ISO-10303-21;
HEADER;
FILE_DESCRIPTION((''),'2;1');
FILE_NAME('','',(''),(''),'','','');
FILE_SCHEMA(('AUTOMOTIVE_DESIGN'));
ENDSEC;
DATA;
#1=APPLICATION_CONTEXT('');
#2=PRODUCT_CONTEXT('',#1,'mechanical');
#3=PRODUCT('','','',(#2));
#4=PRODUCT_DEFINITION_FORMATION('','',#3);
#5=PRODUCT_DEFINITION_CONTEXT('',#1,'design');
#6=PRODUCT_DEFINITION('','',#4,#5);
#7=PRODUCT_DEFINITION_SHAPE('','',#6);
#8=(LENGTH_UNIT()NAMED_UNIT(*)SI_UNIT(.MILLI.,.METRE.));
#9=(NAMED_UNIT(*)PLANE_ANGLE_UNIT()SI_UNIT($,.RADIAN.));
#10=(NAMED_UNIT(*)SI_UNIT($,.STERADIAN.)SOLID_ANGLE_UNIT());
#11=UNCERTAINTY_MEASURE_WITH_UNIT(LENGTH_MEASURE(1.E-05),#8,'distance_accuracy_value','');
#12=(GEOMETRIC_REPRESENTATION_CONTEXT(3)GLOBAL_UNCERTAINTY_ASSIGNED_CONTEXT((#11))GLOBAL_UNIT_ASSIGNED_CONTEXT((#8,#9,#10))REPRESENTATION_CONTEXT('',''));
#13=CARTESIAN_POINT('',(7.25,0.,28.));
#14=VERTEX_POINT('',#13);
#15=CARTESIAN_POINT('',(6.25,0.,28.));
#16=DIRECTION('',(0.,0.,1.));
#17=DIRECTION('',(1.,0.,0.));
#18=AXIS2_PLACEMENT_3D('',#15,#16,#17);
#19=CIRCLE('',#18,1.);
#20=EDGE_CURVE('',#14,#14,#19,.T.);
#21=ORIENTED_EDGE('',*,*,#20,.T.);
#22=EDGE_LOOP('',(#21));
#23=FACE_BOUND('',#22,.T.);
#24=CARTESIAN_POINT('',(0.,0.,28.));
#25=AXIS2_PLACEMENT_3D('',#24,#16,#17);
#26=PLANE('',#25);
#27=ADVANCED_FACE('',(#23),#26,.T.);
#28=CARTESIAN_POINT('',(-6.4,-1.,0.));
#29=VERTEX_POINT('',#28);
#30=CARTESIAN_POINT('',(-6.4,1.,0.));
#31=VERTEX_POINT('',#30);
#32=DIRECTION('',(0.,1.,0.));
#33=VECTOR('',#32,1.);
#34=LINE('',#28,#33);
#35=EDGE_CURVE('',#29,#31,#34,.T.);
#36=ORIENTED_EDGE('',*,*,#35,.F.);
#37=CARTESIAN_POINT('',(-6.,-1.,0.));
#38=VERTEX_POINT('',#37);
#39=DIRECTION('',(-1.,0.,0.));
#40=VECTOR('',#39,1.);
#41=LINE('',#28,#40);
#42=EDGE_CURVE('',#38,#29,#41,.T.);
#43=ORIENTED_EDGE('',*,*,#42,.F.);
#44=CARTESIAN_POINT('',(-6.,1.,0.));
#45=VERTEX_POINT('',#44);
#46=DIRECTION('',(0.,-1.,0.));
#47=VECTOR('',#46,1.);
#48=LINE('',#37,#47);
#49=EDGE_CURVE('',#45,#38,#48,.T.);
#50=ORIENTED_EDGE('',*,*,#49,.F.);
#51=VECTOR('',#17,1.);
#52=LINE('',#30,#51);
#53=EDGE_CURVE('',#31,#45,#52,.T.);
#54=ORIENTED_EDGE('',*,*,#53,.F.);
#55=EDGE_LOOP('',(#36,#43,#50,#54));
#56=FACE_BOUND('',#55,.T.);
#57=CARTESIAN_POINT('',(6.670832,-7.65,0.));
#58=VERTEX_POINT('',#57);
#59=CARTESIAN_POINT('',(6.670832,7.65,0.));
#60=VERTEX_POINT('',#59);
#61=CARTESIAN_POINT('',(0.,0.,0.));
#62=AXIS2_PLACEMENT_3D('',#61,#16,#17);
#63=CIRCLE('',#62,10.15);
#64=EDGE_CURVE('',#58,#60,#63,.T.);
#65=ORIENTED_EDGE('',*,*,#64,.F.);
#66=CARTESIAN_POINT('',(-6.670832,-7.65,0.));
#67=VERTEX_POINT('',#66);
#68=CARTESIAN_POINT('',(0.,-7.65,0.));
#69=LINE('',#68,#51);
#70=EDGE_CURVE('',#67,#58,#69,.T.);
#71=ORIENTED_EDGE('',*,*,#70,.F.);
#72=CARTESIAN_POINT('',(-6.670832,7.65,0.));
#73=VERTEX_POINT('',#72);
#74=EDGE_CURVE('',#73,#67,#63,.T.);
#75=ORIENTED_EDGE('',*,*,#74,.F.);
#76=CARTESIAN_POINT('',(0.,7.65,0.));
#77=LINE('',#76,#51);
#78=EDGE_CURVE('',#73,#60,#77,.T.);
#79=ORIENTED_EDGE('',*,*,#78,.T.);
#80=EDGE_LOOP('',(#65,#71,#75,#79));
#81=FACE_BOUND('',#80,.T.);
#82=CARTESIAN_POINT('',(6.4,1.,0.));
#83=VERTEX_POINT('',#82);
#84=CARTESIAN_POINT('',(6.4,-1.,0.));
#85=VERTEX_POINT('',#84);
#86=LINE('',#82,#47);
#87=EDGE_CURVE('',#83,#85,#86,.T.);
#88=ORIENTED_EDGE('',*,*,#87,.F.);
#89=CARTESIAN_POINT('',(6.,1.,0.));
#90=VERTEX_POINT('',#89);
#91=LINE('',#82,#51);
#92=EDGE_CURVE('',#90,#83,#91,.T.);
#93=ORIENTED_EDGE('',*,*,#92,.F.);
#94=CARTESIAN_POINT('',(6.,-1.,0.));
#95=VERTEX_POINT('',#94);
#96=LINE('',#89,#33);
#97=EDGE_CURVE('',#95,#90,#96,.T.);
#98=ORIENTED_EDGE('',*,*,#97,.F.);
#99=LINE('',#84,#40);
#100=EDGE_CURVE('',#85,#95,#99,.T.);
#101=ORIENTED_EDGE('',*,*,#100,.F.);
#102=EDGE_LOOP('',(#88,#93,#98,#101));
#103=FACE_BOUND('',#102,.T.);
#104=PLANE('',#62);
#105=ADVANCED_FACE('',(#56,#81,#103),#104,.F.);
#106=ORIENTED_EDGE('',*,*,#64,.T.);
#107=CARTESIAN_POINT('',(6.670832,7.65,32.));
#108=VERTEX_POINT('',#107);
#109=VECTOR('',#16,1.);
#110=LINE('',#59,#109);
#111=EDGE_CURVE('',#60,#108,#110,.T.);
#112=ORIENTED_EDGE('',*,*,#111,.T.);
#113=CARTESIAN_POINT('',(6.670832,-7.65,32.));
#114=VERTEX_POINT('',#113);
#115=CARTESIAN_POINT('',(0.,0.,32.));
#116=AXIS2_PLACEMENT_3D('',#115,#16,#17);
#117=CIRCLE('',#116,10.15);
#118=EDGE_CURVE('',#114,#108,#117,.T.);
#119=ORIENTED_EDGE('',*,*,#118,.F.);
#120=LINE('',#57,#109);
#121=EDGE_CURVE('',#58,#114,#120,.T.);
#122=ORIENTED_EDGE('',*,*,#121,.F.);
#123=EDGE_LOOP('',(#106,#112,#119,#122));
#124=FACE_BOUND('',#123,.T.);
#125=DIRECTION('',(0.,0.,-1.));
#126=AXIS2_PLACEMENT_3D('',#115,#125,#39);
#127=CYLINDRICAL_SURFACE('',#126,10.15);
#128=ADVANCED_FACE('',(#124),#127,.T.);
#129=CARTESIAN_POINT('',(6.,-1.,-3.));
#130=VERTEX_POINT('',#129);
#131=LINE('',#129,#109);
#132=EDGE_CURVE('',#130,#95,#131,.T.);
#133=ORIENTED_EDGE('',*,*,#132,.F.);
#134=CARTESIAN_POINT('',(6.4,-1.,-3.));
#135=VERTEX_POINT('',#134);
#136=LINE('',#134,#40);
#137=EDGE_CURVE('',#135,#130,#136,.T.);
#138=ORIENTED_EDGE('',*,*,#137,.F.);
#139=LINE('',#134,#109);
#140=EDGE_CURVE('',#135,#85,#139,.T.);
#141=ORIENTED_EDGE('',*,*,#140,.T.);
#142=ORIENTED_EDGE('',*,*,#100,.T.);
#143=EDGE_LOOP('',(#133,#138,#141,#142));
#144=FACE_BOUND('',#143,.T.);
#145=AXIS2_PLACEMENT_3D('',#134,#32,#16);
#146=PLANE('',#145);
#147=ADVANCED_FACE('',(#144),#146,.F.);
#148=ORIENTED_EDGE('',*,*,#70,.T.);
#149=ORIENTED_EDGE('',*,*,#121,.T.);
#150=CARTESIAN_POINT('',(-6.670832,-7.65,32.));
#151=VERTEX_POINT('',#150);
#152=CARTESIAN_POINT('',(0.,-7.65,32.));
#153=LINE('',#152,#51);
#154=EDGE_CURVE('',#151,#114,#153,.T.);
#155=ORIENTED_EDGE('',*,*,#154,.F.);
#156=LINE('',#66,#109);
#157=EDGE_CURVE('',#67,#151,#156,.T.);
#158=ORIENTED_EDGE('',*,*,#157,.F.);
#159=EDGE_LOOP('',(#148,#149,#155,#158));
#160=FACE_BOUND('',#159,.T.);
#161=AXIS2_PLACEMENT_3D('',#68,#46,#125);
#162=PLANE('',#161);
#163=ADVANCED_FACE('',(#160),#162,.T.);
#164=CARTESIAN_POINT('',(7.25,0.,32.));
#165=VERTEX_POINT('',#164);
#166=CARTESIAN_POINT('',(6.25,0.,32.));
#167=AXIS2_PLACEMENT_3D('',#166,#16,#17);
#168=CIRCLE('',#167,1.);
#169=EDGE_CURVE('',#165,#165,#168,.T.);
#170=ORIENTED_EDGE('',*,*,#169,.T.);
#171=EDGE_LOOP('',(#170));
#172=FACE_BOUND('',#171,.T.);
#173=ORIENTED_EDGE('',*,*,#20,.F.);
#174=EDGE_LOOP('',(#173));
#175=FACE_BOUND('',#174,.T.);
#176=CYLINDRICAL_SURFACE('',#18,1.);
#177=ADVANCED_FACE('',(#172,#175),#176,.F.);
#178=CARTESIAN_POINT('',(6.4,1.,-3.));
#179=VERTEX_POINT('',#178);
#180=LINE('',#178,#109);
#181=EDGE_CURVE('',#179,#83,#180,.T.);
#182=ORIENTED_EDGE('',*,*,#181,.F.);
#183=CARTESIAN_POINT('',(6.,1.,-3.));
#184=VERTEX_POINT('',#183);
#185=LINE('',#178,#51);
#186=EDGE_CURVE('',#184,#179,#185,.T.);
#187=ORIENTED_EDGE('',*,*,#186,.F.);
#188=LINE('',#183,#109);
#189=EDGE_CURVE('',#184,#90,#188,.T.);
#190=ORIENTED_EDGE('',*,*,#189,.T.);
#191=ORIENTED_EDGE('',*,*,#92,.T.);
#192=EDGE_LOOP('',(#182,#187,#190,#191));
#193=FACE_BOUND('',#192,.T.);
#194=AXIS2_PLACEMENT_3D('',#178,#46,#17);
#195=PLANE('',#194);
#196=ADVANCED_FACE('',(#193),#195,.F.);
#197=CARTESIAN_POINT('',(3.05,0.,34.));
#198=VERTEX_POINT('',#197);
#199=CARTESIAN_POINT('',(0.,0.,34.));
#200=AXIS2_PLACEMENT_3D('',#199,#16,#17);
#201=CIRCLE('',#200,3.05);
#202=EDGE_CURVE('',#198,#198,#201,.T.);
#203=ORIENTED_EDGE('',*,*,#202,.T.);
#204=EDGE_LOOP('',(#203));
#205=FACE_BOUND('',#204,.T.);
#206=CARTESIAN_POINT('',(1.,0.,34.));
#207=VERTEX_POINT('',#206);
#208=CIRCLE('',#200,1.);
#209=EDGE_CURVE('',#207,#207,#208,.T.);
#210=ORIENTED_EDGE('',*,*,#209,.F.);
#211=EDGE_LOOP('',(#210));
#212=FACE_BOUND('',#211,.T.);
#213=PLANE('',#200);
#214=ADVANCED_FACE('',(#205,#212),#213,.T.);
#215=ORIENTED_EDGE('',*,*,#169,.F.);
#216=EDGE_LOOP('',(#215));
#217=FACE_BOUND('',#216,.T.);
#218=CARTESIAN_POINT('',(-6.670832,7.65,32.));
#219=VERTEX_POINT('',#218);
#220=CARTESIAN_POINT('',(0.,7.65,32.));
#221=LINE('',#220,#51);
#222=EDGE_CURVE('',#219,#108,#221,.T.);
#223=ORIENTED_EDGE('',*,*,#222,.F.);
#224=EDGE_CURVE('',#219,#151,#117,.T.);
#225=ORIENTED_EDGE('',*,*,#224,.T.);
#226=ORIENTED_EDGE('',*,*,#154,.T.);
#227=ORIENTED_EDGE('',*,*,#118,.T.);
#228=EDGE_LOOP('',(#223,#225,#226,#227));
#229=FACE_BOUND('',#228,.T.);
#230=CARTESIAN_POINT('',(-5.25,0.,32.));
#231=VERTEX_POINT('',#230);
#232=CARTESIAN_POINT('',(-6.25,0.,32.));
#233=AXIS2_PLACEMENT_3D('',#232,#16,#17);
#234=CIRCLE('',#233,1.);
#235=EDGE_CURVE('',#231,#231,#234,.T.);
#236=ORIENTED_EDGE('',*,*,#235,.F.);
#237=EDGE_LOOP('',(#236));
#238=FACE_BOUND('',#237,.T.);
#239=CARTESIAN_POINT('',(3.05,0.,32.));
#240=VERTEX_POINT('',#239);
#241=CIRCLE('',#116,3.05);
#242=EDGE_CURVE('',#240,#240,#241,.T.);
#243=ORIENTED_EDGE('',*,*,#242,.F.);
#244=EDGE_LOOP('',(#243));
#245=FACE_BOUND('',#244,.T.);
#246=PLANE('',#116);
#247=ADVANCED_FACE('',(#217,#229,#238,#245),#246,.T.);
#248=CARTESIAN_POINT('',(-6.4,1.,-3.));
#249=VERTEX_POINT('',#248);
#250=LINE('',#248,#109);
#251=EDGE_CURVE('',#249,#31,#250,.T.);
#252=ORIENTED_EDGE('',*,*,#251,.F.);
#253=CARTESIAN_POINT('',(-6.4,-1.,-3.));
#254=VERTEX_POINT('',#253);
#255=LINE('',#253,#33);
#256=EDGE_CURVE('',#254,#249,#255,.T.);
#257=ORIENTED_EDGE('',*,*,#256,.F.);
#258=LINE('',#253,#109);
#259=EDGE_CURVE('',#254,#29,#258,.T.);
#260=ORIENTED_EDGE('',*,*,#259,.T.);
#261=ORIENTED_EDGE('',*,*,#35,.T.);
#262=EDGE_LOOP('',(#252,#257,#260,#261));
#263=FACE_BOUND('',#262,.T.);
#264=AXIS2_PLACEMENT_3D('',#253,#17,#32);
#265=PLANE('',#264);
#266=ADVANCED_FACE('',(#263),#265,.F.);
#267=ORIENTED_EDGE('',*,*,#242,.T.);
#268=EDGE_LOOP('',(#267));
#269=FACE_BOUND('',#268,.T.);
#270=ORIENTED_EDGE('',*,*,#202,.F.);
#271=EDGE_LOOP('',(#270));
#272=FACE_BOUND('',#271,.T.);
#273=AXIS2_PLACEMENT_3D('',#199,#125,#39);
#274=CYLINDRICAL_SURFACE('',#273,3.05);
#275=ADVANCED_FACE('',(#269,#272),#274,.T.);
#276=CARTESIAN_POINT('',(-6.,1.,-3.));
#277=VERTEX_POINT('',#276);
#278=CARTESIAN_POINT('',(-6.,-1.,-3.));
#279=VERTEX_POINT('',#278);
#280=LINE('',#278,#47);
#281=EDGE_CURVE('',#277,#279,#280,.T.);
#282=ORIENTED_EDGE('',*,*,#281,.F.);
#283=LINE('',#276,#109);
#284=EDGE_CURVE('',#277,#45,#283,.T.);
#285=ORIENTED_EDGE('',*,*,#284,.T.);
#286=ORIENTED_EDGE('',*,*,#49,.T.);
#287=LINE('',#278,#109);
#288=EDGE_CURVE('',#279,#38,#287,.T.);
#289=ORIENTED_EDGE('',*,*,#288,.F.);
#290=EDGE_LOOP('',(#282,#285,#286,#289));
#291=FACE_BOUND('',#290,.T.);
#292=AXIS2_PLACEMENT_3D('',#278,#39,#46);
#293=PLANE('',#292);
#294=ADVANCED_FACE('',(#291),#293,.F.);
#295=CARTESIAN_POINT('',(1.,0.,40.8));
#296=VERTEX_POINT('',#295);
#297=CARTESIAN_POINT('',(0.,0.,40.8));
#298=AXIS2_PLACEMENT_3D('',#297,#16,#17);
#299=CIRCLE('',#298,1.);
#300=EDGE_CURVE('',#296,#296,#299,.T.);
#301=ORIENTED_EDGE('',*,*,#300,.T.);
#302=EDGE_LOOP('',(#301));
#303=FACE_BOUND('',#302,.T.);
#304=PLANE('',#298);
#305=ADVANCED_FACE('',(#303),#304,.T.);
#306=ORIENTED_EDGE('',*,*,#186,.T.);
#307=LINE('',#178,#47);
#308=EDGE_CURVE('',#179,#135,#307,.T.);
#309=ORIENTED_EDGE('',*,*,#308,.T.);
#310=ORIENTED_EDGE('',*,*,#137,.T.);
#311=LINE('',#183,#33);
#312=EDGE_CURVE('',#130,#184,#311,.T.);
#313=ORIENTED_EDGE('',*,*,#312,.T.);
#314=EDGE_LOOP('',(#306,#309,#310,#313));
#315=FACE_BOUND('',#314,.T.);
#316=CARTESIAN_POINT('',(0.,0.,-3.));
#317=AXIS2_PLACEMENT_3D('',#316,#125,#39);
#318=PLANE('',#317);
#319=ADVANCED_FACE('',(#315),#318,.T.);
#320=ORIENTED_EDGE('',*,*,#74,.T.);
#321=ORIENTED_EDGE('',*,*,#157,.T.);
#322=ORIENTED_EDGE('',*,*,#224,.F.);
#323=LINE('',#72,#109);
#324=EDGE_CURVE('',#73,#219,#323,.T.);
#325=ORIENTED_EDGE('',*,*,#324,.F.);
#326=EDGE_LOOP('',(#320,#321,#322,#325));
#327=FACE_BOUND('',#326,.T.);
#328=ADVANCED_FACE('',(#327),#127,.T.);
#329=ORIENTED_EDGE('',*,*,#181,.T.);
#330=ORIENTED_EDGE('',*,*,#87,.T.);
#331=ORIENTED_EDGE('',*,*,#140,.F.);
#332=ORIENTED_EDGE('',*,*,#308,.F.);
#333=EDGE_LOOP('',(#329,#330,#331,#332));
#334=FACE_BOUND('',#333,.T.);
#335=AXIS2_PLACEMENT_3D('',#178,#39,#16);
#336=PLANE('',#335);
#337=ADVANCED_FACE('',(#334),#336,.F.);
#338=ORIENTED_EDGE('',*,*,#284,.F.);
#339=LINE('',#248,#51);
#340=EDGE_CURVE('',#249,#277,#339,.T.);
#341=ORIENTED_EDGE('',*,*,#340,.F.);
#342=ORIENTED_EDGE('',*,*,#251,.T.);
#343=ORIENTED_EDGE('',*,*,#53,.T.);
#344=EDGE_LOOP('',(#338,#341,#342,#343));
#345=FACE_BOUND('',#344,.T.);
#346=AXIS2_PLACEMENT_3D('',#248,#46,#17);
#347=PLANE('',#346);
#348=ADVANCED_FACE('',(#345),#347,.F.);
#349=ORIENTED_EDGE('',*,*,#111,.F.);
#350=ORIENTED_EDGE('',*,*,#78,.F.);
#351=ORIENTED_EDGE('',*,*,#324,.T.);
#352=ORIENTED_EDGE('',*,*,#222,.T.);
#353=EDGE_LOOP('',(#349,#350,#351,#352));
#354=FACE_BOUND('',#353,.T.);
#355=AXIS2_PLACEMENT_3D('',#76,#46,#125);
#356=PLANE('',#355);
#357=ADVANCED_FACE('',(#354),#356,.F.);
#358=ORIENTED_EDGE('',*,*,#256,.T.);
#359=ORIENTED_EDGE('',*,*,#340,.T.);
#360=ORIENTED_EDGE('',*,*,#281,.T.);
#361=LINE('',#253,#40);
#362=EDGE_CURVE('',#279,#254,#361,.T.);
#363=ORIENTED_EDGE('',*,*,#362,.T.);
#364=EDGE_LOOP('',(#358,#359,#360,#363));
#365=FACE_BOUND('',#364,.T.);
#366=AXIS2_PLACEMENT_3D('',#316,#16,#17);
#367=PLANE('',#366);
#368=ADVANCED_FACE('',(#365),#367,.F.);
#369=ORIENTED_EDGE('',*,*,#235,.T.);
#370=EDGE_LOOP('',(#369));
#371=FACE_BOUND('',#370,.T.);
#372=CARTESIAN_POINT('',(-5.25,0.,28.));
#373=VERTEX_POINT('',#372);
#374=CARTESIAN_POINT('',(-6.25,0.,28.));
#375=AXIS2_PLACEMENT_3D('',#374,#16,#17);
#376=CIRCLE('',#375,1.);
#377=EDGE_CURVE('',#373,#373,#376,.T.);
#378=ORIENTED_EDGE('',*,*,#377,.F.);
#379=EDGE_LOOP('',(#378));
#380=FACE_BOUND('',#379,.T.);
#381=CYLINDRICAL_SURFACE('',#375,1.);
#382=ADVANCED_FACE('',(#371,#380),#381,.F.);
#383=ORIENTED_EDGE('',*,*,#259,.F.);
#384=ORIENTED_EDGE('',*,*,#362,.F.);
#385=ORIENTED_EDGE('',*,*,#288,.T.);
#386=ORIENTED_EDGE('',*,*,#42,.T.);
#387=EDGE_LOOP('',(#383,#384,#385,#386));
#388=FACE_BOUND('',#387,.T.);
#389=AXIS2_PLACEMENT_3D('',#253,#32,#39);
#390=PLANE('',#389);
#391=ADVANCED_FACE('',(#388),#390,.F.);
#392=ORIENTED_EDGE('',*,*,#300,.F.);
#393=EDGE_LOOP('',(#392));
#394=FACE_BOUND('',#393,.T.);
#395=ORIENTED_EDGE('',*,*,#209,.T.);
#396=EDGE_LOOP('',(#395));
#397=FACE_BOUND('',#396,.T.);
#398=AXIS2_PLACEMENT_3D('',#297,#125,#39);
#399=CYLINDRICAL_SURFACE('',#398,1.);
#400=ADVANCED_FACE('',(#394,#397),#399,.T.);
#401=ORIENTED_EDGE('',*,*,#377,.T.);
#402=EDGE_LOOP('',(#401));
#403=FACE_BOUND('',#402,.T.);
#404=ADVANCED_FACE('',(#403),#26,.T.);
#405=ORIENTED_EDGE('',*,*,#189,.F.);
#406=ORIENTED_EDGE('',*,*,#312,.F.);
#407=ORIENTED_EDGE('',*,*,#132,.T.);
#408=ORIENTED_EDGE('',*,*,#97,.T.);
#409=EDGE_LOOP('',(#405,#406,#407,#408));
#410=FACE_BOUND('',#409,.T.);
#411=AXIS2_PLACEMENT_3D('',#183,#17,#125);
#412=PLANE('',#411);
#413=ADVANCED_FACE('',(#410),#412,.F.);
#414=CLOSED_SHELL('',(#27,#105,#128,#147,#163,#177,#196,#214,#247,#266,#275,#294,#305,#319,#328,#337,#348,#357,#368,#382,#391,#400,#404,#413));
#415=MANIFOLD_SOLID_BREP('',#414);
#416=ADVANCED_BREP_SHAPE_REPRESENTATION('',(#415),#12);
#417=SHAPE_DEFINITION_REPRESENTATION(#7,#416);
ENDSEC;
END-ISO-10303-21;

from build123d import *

# Parameters (mm, degrees)
SKETCH_1_R          = 10.15
EXTRUDE_1_DEPTH     = 32
CUT_EXTRUDE_1_DEPTH = 33
SKETCH_4_W          = 0.4
SKETCH_4_H          = 2
EXTRUDE_2_DEPTH     = 3
SKETCH_6_R          = 1
CUT_EXTRUDE_2_DEPTH = 4
SKETCH_6_4_R        = 3.05
EXTRUDE_3_DEPTH     = 2
SKETCH_7_R          = 1
EXTRUDE_4_DEPTH     = 6.8


with BuildPart() as part:
    # 草图1 → 凸台-拉伸1 (new body)
    with BuildSketch(Plane.XY):
        Circle(SKETCH_1_R)
    extrude(amount=EXTRUDE_1_DEPTH)

    # 草图3 → 切除-拉伸1 (cut, through all)
    with BuildSketch(Plane.XY.offset(32)):
        with BuildLine():
            ThreePointArc((6.670832032, 7.65), (0, 10.15), (-6.670832032, 7.65))
            Line((-6.670832032, 7.65), (6.670832032, 7.65))
        make_face()
        with BuildLine():
            Line((6.670832032, -7.65), (-6.670832032, -7.65))
            ThreePointArc((-6.670832032, -7.65), (0, -10.15), (6.670832032, -7.65))
        make_face()
    extrude(amount=-CUT_EXTRUDE_1_DEPTH, mode=Mode.SUBTRACT)

    # 草图4 → 凸台-拉伸2 (add)
    with BuildSketch(Plane(origin=(0, 0, 0), x_dir=(-1, 0, 0), z_dir=(0, 0, -1))):
        with Locations((6.2, 0)):
            Rectangle(SKETCH_4_W, SKETCH_4_H)
        with Locations((-6.2, 0)):
            Rectangle(SKETCH_4_W, SKETCH_4_H)
    extrude(amount=EXTRUDE_2_DEPTH)

    # 草图6 → 切除-拉伸2 (cut)
    with BuildSketch(Plane.XY.offset(32)):
        with Locations((-6.25, 0)):
            Circle(SKETCH_6_R)
        with Locations((6.25, 0)):
            Circle(SKETCH_6_R)
    extrude(amount=-CUT_EXTRUDE_2_DEPTH, mode=Mode.SUBTRACT)

    # 草图6<4> → 凸台-拉伸3 (add)
    with BuildSketch(Plane.XY.offset(32)):
        Circle(SKETCH_6_4_R)
    extrude(amount=EXTRUDE_3_DEPTH)

    # 草图7 → 凸台-拉伸4 (add)
    with BuildSketch(Plane.XY.offset(34)):
        Circle(SKETCH_7_R)
    extrude(amount=EXTRUDE_4_DEPTH)


solid = part.part
